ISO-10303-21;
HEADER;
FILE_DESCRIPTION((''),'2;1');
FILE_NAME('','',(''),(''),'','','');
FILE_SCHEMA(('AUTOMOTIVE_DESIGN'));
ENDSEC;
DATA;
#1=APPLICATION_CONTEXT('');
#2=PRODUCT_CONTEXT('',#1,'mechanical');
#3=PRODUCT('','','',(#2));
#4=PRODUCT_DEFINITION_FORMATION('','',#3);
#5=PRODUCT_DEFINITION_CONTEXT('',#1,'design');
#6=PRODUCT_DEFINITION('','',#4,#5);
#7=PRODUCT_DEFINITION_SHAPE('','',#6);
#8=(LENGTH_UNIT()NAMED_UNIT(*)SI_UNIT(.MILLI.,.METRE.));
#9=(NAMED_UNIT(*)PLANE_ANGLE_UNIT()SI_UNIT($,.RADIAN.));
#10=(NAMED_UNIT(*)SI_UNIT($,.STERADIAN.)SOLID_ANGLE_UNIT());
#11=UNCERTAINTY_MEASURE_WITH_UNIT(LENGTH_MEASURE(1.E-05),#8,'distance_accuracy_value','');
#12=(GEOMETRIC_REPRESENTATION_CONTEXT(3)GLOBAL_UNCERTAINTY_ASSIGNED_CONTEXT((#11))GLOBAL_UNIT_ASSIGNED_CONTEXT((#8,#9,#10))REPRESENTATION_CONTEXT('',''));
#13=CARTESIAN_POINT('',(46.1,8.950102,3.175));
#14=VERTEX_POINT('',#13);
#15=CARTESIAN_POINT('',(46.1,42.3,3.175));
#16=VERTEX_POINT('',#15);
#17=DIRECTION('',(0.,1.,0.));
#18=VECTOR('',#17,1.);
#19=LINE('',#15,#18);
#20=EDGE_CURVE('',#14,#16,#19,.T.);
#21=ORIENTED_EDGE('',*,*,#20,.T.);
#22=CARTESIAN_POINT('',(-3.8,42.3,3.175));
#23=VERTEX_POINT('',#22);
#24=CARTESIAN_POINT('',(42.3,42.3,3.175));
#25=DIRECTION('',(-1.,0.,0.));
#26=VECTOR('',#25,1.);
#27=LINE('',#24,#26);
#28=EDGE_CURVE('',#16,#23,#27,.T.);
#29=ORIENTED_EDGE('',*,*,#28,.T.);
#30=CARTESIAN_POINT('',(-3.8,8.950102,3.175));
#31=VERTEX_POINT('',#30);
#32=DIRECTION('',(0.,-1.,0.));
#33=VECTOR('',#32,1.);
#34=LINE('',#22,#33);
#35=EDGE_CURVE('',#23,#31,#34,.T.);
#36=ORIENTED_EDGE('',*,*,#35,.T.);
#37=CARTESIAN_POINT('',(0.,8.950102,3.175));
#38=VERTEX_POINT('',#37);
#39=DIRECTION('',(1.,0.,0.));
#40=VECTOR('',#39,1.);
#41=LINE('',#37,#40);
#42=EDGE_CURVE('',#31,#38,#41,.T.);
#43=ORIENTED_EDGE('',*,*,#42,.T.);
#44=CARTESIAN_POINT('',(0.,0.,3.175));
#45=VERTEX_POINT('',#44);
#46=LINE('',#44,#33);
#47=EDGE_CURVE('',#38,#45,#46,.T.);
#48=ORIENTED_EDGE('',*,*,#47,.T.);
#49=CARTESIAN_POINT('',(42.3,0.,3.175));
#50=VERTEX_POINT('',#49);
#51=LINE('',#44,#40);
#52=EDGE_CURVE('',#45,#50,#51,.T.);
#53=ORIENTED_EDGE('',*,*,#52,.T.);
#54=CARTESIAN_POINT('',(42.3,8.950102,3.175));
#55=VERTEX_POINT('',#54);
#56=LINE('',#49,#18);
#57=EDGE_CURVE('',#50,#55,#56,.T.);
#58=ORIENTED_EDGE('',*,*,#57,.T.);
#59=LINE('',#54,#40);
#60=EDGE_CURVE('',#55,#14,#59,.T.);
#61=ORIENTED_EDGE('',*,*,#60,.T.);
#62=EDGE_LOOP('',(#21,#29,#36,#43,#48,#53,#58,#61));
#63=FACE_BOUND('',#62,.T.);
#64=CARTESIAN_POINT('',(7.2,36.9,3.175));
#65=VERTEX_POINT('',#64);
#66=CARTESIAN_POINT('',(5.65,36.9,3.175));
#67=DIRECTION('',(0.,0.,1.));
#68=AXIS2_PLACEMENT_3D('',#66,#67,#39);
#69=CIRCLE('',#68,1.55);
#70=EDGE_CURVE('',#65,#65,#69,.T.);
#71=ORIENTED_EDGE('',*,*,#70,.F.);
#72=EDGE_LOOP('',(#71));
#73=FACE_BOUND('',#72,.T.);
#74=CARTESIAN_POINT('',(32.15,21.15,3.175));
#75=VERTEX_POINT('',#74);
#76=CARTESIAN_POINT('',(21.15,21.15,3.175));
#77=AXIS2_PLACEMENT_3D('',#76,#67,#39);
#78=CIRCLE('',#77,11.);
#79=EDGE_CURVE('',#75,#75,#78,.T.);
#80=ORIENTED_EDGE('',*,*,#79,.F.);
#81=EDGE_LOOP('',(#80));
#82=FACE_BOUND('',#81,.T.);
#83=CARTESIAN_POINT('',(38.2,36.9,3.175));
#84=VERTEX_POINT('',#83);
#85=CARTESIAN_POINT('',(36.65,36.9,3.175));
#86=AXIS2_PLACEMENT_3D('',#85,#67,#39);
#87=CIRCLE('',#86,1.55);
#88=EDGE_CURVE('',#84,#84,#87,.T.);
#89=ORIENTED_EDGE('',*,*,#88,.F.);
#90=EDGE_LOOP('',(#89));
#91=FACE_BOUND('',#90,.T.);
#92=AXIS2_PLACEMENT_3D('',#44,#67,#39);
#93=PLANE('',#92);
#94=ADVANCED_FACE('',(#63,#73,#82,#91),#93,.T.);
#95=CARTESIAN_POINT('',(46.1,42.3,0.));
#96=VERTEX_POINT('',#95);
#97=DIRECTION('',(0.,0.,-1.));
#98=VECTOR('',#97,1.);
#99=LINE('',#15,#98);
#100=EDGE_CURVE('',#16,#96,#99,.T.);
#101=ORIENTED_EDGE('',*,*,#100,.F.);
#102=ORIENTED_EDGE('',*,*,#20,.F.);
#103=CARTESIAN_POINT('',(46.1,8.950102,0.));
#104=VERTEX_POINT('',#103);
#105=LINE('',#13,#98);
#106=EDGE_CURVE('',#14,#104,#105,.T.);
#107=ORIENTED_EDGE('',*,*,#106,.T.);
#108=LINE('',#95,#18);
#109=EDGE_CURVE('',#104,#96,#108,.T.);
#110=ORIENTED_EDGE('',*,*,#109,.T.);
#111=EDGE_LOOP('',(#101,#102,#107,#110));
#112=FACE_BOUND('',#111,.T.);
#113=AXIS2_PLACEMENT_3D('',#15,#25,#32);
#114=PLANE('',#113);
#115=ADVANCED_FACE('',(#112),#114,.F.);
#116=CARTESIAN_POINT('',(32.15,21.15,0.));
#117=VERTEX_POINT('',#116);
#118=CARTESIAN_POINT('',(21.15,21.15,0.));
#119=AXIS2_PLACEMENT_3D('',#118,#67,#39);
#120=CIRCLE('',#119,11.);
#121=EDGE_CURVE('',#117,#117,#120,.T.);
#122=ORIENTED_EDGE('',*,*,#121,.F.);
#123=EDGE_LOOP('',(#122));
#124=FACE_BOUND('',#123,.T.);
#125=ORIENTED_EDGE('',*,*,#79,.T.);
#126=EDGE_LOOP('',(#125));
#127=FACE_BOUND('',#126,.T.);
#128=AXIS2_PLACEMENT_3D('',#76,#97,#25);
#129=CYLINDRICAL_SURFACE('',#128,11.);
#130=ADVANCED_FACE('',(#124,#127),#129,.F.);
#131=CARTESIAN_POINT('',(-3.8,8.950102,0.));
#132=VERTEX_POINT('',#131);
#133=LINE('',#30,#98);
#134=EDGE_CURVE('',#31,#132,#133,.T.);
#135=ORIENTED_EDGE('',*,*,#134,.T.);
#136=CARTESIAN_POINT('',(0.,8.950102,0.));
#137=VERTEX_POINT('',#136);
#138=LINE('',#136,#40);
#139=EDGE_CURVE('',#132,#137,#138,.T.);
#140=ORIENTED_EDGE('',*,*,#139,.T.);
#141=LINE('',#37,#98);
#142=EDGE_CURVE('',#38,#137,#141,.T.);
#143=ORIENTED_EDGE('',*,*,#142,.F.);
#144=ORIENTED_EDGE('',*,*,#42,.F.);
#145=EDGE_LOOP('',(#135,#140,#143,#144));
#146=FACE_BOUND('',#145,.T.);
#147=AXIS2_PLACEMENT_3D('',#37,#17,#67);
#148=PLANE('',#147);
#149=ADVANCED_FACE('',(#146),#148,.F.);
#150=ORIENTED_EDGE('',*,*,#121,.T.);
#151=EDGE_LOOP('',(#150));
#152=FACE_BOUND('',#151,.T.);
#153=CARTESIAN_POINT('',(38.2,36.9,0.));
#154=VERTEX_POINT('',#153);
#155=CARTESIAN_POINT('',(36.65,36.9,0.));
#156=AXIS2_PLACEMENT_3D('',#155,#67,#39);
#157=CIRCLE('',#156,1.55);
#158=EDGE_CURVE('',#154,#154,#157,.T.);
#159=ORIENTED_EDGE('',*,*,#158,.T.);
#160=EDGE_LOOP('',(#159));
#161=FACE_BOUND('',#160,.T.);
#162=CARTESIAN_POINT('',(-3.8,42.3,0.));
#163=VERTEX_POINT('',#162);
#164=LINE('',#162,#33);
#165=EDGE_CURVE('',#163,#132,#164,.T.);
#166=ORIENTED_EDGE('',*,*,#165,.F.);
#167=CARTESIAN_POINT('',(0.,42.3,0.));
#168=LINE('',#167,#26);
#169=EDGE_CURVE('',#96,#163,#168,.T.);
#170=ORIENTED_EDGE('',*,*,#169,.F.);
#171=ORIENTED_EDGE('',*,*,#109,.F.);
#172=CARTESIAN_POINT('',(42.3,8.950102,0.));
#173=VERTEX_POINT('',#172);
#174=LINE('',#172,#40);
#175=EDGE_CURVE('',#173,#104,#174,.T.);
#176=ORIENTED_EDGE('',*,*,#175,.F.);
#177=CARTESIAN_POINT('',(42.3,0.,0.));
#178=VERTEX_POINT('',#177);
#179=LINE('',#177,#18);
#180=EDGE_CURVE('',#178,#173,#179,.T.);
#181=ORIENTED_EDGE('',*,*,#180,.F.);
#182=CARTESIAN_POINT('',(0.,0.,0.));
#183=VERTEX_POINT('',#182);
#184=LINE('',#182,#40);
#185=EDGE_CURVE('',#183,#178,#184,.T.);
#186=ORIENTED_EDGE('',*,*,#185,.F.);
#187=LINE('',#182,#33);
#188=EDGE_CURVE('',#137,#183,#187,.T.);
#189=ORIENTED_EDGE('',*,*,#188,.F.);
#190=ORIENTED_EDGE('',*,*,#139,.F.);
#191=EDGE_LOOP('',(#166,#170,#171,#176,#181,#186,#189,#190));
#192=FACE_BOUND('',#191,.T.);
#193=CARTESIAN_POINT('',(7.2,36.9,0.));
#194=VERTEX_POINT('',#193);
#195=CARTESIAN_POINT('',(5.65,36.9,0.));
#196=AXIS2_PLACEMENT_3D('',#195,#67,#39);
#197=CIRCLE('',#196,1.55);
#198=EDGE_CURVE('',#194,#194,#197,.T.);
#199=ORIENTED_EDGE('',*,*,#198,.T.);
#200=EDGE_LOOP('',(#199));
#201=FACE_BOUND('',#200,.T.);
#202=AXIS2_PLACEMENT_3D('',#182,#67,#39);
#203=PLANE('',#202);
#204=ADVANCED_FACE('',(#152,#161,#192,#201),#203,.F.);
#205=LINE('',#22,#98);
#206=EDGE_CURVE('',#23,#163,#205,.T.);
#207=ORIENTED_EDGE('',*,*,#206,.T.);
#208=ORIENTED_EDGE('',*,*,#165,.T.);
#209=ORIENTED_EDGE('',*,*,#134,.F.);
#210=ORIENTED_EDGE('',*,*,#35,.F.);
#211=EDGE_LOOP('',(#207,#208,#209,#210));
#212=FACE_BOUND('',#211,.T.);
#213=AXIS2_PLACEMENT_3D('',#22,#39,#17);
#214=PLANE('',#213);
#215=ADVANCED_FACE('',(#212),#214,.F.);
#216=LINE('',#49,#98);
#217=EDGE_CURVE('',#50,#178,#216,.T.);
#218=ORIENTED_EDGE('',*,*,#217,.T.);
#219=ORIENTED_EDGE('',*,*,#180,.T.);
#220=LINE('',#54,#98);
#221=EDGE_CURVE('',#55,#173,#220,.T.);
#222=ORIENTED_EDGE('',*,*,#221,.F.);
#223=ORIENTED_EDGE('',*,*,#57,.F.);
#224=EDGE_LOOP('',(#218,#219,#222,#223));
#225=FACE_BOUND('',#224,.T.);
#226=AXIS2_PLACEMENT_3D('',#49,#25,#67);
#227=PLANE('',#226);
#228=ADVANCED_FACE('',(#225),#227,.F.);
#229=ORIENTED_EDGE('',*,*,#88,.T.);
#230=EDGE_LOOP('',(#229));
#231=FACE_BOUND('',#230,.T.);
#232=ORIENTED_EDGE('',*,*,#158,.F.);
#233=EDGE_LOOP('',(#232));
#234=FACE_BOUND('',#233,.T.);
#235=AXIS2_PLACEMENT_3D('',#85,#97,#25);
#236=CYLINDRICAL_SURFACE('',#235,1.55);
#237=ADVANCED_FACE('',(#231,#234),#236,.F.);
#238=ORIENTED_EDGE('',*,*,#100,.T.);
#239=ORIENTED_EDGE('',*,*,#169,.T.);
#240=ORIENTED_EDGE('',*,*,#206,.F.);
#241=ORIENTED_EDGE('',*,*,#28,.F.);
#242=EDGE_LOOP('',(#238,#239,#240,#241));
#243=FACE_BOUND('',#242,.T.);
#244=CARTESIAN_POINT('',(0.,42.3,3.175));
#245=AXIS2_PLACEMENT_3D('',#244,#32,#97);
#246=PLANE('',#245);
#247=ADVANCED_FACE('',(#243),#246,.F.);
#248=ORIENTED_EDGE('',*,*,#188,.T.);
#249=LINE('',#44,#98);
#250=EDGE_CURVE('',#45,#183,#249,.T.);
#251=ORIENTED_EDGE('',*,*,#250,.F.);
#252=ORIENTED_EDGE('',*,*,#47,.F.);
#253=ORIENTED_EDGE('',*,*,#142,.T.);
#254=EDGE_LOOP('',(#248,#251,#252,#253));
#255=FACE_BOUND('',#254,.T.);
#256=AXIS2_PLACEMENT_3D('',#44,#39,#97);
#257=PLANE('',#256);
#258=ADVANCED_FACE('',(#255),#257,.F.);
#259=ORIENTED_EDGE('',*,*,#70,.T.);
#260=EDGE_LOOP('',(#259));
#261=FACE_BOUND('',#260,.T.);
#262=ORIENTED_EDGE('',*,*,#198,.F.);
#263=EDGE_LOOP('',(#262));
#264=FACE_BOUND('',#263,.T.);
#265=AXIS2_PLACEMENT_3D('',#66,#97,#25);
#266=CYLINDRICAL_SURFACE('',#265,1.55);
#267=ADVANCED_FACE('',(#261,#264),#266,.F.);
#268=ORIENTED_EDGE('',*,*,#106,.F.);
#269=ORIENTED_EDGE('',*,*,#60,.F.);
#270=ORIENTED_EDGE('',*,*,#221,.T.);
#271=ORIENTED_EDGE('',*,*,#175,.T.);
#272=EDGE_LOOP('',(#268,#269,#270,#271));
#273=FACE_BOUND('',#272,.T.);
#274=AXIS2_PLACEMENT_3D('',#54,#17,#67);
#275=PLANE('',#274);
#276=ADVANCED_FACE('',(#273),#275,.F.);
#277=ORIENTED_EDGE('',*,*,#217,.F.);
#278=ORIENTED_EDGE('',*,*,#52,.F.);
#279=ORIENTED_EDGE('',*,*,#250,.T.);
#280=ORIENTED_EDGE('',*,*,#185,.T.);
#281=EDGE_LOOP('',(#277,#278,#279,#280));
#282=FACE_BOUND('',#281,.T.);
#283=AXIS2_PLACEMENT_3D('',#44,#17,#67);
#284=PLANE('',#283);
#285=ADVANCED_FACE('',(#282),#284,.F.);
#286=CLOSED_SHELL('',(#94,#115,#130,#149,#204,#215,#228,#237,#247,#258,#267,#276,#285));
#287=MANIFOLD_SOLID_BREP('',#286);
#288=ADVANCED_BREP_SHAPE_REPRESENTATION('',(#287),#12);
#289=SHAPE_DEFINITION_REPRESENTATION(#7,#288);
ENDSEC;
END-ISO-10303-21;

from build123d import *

# Parameters (mm, degrees)
SKETCH1_R           = 11
SKETCH1_R_2         = 1.55
BOSS_EXTRUDE1_DEPTH = 3.175


with BuildPart() as part:
    # Sketch1 → Boss-Extrude1 (new body)
    with BuildSketch(Plane.XY):
        Polygon((0, 0), (42.3, 0), (42.3, 8.950102459), (46.1, 8.950102459), (46.1, 42.3), (42.3, 42.3), (0, 42.3), (-3.8, 42.3), (-3.8, 8.950102459), (0, 8.950102459), align=None)
        with Locations((21.15, 21.15)):
            Circle(SKETCH1_R, mode=Mode.SUBTRACT)
        with Locations((36.65, 36.9)):
            Circle(SKETCH1_R_2, mode=Mode.SUBTRACT)
        with Locations((5.65, 36.9)):
            Circle(SKETCH1_R_2, mode=Mode.SUBTRACT)
    extrude(amount=BOSS_EXTRUDE1_DEPTH)


solid = part.part
